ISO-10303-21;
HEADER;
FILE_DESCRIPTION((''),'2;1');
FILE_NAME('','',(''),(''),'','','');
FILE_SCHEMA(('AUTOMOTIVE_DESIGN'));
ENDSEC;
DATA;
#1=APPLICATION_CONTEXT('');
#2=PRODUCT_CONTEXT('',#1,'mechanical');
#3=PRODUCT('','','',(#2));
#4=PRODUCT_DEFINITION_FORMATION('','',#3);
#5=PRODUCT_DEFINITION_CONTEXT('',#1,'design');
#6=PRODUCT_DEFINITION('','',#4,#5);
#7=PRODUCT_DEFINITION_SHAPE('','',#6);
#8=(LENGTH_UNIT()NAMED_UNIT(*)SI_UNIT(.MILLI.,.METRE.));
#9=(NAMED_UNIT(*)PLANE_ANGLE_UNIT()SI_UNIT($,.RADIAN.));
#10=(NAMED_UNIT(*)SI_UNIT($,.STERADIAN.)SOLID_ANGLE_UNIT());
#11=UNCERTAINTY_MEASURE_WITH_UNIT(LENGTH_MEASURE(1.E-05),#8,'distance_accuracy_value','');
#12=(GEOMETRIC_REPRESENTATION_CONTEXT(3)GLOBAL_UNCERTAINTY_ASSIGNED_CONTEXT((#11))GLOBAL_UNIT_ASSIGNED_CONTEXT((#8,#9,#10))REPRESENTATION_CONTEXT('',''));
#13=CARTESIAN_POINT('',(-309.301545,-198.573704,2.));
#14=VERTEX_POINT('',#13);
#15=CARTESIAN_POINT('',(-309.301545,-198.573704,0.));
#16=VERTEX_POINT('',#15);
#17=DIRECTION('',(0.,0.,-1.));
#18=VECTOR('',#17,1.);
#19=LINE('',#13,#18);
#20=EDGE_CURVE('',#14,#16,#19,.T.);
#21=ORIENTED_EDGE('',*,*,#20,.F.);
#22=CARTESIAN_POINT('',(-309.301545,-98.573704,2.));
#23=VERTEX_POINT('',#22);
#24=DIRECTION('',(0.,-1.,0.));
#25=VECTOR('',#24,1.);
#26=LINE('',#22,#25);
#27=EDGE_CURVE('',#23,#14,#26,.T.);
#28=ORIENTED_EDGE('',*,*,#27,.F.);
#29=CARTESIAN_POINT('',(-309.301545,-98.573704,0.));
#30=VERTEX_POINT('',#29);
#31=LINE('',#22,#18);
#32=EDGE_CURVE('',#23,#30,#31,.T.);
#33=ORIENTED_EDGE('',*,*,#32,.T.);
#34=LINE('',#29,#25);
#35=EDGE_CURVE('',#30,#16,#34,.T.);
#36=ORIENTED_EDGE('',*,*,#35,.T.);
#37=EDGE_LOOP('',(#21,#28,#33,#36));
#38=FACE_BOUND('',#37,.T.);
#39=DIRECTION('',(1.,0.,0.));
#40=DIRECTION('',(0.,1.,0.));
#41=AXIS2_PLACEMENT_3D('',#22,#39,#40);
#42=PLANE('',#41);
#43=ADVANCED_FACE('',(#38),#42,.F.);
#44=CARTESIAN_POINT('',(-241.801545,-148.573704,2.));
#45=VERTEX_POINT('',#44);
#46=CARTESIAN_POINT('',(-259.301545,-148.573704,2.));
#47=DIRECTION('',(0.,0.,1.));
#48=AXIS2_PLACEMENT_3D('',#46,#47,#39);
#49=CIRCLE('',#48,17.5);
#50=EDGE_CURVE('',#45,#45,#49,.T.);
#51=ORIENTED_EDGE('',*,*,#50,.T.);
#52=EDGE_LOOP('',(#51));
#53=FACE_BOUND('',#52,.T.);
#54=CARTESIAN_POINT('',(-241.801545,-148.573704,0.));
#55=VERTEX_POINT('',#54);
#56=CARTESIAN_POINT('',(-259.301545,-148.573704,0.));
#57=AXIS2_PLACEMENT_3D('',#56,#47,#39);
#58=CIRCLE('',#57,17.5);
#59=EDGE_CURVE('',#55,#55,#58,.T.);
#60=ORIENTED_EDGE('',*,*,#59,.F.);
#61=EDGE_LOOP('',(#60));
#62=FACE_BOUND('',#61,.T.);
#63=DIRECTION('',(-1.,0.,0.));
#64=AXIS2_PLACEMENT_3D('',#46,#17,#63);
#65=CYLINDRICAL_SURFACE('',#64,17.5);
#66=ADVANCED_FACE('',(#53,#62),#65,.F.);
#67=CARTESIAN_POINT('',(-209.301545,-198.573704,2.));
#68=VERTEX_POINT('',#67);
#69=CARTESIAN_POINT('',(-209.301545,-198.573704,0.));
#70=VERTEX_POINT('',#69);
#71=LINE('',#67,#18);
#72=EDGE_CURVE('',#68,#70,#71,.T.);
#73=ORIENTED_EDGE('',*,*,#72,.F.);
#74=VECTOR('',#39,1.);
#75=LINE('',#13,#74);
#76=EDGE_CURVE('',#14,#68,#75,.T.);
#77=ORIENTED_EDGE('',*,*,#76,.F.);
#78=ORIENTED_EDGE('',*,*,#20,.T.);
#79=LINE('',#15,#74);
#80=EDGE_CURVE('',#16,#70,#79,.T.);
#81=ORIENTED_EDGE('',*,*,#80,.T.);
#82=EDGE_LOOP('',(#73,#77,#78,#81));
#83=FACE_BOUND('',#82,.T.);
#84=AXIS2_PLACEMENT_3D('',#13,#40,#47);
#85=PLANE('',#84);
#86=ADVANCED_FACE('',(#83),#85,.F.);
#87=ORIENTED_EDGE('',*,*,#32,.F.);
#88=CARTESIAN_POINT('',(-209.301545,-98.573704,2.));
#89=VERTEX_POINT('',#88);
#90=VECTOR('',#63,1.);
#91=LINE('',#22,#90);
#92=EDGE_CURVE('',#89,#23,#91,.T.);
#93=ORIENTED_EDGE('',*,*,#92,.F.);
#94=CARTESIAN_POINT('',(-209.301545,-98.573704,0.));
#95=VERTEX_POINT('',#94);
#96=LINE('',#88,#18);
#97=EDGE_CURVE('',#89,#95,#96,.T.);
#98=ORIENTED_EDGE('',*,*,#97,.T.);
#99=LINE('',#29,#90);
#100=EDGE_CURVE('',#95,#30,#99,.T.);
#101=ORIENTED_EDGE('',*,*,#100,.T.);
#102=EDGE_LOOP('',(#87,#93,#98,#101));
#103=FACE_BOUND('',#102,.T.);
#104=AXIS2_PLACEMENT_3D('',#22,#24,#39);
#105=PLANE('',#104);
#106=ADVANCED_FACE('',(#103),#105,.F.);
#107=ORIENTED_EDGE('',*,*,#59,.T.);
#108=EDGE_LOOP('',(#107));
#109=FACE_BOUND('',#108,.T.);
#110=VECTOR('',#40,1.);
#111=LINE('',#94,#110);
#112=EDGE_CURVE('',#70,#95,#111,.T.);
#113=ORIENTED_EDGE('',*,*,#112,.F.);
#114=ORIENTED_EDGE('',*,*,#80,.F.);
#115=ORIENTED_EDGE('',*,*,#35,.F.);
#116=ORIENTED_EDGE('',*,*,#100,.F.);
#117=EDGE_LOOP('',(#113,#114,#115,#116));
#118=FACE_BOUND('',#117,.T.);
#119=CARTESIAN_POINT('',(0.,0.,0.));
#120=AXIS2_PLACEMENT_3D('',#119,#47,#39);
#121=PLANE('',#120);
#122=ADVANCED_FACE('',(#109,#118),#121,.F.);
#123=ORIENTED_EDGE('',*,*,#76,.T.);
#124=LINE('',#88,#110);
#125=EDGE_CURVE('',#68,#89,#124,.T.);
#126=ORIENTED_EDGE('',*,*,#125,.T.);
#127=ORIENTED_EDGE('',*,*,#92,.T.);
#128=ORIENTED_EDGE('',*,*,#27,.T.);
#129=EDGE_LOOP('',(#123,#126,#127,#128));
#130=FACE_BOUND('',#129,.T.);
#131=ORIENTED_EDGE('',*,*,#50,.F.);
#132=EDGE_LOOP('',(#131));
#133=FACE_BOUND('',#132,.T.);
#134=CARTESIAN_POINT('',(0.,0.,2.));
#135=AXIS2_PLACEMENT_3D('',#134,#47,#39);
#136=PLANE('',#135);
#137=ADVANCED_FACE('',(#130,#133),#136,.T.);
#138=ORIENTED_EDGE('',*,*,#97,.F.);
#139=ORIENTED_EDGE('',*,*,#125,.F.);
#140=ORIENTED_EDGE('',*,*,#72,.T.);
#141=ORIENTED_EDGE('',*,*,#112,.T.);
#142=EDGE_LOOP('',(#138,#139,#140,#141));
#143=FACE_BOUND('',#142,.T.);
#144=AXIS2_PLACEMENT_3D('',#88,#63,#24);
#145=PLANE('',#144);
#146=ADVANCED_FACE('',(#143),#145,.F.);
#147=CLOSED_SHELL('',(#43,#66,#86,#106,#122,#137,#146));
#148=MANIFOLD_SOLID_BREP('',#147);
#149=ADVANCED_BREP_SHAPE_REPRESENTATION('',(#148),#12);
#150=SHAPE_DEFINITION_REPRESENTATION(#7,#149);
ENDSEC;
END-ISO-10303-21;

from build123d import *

# Parameters (mm, degrees)
SKETCH1_W           = 100
SKETCH1_H           = 100
SKETCH1_R           = 17.5
BOSS_EXTRUDE1_DEPTH = 2


with BuildPart() as part:
    # Sketch1 → Boss-Extrude1 (new body)
    with BuildSketch(Plane.XY):
        with Locations((-259.301545348, -148.573704322)):
            Rectangle(SKETCH1_W, SKETCH1_H)
        with Locations((-259.301545348, -148.573704322)):
            Circle(SKETCH1_R, mode=Mode.SUBTRACT)
    extrude(amount=BOSS_EXTRUDE1_DEPTH)


solid = part.part
